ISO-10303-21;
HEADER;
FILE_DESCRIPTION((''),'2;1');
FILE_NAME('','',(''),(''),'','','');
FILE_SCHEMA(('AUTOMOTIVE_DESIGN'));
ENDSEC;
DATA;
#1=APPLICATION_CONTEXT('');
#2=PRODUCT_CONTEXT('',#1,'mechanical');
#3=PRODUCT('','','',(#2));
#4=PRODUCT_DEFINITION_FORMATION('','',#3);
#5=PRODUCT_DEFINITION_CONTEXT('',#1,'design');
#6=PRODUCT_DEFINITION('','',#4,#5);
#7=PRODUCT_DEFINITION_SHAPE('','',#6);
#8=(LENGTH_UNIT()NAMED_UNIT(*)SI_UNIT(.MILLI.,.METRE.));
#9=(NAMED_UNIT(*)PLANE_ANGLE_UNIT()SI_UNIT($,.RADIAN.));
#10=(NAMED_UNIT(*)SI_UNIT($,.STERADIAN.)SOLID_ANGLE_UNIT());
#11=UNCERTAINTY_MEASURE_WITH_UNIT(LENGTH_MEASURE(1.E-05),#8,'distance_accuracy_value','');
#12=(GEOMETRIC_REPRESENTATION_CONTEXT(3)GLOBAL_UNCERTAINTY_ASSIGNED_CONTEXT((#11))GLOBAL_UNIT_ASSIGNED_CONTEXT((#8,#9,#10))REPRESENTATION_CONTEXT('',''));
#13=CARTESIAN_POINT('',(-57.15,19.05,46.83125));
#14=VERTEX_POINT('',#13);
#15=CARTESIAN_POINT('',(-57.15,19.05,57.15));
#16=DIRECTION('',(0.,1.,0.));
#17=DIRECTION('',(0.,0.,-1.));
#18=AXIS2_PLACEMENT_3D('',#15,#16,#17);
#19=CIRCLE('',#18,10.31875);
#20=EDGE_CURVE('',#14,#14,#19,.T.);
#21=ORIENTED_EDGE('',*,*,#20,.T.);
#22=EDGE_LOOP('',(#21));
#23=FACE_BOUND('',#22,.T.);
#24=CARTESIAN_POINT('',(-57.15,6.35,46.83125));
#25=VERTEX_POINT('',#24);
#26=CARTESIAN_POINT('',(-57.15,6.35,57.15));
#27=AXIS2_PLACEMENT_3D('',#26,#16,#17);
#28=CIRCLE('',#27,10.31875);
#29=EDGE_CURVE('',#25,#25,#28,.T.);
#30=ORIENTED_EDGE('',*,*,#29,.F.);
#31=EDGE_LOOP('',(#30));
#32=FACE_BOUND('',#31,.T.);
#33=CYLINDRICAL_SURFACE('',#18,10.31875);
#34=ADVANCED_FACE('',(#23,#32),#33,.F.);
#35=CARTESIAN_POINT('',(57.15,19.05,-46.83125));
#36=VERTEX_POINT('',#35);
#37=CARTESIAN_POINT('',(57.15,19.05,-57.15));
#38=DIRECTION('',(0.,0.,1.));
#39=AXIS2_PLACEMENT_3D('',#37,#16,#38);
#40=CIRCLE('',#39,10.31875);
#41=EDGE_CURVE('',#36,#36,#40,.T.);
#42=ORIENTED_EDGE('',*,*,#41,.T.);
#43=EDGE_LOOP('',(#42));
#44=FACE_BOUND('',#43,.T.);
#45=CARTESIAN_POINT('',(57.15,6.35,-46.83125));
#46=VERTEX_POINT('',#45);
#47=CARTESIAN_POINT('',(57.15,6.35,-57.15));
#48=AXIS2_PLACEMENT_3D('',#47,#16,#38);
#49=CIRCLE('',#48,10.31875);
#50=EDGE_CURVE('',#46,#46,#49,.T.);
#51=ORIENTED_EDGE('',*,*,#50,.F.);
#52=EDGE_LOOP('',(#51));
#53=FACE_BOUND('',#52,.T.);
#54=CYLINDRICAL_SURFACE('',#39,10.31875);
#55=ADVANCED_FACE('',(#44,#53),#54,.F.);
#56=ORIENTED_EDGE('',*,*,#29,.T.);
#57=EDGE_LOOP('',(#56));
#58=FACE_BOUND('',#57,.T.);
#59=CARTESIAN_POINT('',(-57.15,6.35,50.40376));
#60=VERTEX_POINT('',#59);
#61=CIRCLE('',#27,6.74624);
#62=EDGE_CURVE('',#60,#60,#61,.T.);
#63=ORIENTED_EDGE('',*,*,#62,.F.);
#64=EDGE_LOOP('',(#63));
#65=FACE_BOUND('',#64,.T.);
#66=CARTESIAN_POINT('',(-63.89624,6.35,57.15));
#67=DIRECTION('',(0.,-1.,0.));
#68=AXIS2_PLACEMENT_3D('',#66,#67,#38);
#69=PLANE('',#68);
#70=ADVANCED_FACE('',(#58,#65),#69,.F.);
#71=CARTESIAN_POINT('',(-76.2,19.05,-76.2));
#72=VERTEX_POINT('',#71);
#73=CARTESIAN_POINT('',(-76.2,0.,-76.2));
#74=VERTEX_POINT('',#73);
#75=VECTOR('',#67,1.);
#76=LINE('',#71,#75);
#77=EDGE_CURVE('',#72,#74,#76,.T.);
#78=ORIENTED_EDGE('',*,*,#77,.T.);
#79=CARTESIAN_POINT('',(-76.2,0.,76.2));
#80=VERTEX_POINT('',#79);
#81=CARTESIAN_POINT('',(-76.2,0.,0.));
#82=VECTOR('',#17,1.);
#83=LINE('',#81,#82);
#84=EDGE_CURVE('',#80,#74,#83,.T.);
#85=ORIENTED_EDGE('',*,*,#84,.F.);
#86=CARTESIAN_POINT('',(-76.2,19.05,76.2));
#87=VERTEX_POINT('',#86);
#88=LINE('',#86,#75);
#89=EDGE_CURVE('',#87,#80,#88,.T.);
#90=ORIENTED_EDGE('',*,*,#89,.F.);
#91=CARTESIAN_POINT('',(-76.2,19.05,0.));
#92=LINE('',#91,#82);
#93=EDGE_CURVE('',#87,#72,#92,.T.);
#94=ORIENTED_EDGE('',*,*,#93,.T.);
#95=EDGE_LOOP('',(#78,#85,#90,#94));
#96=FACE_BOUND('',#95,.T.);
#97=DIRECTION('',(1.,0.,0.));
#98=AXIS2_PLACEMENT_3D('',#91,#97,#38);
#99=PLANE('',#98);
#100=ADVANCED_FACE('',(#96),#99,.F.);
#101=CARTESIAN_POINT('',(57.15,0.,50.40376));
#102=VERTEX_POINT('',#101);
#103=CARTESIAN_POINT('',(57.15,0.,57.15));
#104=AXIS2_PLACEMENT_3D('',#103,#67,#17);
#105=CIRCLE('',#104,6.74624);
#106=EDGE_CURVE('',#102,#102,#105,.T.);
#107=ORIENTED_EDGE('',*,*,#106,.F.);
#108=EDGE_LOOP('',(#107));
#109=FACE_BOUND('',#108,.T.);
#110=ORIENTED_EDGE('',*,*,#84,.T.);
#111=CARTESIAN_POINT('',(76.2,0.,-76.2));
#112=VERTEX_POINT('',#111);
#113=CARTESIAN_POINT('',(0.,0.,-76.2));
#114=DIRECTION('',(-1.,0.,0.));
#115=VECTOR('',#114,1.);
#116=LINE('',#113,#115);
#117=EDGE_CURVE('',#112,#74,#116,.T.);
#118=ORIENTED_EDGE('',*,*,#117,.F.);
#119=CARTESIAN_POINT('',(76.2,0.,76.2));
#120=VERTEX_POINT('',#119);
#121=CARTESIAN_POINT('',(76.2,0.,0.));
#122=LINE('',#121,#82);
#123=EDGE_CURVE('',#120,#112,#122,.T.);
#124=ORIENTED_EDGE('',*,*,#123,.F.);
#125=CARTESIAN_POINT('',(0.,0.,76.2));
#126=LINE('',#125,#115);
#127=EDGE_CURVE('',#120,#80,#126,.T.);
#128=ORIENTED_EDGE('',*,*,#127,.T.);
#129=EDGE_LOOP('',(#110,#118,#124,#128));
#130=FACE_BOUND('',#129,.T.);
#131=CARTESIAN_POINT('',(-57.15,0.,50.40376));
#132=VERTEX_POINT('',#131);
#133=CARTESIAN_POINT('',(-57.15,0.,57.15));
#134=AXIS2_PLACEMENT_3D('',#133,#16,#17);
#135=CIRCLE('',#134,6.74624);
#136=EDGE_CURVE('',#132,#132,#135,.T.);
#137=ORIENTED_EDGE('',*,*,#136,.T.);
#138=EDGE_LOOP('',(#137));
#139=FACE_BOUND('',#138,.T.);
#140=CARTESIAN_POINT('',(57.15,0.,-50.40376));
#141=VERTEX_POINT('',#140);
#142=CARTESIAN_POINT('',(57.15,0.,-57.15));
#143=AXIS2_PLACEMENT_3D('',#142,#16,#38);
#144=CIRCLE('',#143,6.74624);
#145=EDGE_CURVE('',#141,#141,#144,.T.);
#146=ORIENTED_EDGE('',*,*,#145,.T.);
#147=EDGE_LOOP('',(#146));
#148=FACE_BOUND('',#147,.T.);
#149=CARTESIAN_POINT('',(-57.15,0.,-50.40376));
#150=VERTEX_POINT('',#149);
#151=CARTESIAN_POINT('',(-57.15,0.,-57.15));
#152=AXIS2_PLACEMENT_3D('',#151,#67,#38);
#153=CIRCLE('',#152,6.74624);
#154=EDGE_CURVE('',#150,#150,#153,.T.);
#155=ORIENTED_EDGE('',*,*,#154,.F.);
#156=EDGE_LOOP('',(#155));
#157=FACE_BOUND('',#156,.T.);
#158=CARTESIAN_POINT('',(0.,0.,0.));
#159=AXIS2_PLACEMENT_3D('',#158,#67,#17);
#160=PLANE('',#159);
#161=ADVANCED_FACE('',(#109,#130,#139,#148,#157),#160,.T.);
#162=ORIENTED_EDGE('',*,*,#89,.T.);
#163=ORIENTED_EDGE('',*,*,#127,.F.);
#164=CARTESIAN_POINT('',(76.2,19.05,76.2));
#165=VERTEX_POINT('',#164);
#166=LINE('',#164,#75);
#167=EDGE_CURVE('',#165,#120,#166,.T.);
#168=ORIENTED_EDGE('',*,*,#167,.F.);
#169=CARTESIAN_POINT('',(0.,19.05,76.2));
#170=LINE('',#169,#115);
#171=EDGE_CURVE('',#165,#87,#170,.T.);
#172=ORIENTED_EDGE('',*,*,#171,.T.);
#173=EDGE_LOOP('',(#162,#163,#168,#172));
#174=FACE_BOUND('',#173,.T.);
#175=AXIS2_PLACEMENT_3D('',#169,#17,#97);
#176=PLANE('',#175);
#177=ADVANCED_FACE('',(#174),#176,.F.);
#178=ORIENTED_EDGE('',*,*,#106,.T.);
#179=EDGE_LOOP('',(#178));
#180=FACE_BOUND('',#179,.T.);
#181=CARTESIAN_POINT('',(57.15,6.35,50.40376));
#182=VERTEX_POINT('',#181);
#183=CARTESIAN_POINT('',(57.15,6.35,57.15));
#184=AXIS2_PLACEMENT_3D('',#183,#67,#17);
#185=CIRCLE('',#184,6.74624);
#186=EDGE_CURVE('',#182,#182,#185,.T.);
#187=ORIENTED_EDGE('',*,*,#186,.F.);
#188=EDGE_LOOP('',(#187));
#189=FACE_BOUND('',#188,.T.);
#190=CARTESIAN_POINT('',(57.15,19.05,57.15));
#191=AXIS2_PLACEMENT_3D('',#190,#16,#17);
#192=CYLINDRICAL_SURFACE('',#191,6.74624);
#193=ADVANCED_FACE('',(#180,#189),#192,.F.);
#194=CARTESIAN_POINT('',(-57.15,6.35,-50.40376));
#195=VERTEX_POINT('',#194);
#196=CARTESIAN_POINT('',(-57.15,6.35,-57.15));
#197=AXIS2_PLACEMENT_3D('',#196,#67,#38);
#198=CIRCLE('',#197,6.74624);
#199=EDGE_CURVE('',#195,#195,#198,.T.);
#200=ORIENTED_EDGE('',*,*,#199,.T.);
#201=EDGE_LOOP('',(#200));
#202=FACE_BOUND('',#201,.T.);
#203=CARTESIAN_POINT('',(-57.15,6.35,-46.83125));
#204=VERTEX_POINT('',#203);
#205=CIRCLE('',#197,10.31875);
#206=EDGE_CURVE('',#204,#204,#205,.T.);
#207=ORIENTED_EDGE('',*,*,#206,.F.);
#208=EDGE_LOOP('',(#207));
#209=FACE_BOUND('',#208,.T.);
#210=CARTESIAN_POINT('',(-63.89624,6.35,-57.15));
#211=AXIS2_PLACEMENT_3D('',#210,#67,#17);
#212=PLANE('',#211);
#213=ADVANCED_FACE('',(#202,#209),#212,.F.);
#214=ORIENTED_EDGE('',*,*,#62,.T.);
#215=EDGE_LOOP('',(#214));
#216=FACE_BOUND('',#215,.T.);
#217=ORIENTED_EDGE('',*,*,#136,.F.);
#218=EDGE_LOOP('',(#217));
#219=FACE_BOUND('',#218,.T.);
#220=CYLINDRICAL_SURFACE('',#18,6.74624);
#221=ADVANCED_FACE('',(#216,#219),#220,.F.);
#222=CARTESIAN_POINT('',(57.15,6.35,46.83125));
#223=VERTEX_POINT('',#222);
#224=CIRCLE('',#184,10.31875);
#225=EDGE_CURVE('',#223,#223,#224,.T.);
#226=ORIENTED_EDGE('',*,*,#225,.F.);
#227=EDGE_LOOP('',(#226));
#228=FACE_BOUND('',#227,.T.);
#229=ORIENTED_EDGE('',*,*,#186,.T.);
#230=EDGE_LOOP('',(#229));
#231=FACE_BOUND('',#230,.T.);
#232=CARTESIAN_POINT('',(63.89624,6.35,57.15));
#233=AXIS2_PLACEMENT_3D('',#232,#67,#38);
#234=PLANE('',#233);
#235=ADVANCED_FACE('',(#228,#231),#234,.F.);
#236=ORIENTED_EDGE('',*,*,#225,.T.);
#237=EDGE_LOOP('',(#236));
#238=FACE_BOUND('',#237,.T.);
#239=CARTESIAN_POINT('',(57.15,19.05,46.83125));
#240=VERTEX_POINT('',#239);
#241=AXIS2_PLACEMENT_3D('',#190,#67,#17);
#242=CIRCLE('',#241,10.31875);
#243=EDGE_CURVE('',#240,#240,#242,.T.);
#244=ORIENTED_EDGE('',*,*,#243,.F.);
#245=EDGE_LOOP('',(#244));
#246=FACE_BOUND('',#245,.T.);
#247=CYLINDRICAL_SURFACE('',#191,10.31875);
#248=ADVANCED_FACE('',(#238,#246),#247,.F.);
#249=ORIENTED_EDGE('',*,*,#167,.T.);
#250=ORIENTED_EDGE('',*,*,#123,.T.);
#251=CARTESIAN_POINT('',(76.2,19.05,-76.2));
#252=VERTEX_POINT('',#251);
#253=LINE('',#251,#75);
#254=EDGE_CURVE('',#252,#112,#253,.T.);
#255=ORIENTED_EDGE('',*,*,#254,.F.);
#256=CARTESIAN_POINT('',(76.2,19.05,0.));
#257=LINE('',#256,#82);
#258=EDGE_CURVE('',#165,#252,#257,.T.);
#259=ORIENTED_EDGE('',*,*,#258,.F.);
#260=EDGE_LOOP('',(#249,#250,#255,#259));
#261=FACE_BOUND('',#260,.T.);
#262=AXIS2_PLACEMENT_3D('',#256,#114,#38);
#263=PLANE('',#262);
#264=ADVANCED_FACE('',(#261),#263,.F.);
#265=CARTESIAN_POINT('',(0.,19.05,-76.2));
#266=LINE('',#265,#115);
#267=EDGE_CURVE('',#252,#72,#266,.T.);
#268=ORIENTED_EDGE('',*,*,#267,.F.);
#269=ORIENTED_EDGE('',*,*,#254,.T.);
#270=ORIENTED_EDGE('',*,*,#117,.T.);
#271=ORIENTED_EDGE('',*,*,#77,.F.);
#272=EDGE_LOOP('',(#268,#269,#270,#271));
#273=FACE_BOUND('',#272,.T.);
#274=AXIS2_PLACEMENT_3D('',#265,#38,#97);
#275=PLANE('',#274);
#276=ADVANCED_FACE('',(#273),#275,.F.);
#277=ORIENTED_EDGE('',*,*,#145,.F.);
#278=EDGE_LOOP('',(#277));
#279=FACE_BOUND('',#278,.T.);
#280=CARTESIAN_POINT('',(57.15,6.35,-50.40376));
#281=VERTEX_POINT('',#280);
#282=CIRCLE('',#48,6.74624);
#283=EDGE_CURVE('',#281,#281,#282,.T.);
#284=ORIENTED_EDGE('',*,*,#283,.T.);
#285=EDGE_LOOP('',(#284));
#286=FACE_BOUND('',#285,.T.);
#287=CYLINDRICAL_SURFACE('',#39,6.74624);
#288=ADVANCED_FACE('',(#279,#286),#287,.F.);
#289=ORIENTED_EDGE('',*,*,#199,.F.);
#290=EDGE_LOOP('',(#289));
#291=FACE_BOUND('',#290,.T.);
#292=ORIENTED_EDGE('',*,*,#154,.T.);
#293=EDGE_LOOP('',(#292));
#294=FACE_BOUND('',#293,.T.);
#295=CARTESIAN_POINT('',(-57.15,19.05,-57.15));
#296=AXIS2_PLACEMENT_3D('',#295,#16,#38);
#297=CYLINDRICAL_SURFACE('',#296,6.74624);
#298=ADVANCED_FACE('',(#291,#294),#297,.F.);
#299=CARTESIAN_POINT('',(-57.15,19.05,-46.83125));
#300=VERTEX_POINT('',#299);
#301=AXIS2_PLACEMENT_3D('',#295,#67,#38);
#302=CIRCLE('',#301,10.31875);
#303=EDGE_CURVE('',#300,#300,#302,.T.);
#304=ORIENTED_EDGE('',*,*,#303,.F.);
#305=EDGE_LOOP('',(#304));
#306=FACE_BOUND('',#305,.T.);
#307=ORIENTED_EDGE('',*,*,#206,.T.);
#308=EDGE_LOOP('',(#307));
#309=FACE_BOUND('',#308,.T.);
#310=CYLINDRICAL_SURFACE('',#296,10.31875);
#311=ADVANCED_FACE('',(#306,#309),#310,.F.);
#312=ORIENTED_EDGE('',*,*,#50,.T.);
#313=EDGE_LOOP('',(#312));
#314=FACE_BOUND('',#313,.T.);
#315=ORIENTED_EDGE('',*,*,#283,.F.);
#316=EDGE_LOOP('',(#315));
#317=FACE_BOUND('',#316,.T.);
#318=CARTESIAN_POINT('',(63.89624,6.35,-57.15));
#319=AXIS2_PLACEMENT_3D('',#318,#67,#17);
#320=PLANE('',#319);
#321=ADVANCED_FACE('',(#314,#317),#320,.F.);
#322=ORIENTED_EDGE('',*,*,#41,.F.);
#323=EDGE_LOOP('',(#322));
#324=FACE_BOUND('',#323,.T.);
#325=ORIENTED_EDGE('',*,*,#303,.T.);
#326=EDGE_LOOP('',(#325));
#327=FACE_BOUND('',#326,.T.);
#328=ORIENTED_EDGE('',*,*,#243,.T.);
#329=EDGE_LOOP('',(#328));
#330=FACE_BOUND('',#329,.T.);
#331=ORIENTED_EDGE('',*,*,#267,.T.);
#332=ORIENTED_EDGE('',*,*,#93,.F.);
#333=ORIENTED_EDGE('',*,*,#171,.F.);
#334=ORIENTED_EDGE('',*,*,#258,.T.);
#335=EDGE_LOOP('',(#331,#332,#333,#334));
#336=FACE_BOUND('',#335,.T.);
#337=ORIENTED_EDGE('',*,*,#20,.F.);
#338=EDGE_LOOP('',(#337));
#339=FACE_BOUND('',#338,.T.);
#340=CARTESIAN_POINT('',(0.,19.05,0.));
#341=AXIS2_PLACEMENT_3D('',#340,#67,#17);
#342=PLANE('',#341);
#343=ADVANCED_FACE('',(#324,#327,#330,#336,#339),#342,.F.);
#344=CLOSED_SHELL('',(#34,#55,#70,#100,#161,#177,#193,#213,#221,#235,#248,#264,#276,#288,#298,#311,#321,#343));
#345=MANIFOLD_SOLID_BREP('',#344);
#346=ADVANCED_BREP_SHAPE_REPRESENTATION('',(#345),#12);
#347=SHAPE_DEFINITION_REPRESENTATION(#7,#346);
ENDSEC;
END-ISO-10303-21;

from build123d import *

# Parameters (mm, degrees)
SKETCH1_W                                        = 76.2
SKETCH1_H                                        = 76.2
BOSS_EXTRUDE1_DEPTH                              = 19.05
CBORE_FOR_1_2_SOCKET_HEAD_CAP_SCREW1_D           = 13.49248
CBORE_FOR_1_2_SOCKET_HEAD_CAP_SCREW1_CBORE_D     = 20.6375
CBORE_FOR_1_2_SOCKET_HEAD_CAP_SCREW1_CBORE_DEPTH = 12.7


with BuildPart() as part:
    # Sketch1 → Boss-Extrude1 (new body)
    with BuildSketch(Plane(origin=(0, 0, 0), x_dir=(1, 0, 0), z_dir=(0, 1, 0))):
        with Locations((38.1, 38.1)):
            Rectangle(SKETCH1_W, SKETCH1_H)
    extrude(amount=BOSS_EXTRUDE1_DEPTH)

    # CBORE for 1/2 Socket Head Cap Screw1 (through all)
    with Locations(Plane(origin=(0, 19.05, 0), x_dir=(1, 0, 0), z_dir=(0, 1, 0))):
        with Locations((57.15, 57.15)):
            CounterBoreHole(CBORE_FOR_1_2_SOCKET_HEAD_CAP_SCREW1_D / 2, CBORE_FOR_1_2_SOCKET_HEAD_CAP_SCREW1_CBORE_D / 2, CBORE_FOR_1_2_SOCKET_HEAD_CAP_SCREW1_CBORE_DEPTH)

    # Mirror1: part across plane


with BuildPart() as part_1:
    add(part.part)
    add(part.part.mirror(Plane(origin=(0, 19.05, 0), x_dir=(1, 0, 0), z_dir=(0, 0, -1))))

    # Mirror2: part across plane


with BuildPart() as part_2:
    add(part_1.part)
    add(part_1.part.mirror(Plane(origin=(0, 19.05, 0), x_dir=(0, 0, 1), z_dir=(1, 0, 0))))


solid = part_2.part
